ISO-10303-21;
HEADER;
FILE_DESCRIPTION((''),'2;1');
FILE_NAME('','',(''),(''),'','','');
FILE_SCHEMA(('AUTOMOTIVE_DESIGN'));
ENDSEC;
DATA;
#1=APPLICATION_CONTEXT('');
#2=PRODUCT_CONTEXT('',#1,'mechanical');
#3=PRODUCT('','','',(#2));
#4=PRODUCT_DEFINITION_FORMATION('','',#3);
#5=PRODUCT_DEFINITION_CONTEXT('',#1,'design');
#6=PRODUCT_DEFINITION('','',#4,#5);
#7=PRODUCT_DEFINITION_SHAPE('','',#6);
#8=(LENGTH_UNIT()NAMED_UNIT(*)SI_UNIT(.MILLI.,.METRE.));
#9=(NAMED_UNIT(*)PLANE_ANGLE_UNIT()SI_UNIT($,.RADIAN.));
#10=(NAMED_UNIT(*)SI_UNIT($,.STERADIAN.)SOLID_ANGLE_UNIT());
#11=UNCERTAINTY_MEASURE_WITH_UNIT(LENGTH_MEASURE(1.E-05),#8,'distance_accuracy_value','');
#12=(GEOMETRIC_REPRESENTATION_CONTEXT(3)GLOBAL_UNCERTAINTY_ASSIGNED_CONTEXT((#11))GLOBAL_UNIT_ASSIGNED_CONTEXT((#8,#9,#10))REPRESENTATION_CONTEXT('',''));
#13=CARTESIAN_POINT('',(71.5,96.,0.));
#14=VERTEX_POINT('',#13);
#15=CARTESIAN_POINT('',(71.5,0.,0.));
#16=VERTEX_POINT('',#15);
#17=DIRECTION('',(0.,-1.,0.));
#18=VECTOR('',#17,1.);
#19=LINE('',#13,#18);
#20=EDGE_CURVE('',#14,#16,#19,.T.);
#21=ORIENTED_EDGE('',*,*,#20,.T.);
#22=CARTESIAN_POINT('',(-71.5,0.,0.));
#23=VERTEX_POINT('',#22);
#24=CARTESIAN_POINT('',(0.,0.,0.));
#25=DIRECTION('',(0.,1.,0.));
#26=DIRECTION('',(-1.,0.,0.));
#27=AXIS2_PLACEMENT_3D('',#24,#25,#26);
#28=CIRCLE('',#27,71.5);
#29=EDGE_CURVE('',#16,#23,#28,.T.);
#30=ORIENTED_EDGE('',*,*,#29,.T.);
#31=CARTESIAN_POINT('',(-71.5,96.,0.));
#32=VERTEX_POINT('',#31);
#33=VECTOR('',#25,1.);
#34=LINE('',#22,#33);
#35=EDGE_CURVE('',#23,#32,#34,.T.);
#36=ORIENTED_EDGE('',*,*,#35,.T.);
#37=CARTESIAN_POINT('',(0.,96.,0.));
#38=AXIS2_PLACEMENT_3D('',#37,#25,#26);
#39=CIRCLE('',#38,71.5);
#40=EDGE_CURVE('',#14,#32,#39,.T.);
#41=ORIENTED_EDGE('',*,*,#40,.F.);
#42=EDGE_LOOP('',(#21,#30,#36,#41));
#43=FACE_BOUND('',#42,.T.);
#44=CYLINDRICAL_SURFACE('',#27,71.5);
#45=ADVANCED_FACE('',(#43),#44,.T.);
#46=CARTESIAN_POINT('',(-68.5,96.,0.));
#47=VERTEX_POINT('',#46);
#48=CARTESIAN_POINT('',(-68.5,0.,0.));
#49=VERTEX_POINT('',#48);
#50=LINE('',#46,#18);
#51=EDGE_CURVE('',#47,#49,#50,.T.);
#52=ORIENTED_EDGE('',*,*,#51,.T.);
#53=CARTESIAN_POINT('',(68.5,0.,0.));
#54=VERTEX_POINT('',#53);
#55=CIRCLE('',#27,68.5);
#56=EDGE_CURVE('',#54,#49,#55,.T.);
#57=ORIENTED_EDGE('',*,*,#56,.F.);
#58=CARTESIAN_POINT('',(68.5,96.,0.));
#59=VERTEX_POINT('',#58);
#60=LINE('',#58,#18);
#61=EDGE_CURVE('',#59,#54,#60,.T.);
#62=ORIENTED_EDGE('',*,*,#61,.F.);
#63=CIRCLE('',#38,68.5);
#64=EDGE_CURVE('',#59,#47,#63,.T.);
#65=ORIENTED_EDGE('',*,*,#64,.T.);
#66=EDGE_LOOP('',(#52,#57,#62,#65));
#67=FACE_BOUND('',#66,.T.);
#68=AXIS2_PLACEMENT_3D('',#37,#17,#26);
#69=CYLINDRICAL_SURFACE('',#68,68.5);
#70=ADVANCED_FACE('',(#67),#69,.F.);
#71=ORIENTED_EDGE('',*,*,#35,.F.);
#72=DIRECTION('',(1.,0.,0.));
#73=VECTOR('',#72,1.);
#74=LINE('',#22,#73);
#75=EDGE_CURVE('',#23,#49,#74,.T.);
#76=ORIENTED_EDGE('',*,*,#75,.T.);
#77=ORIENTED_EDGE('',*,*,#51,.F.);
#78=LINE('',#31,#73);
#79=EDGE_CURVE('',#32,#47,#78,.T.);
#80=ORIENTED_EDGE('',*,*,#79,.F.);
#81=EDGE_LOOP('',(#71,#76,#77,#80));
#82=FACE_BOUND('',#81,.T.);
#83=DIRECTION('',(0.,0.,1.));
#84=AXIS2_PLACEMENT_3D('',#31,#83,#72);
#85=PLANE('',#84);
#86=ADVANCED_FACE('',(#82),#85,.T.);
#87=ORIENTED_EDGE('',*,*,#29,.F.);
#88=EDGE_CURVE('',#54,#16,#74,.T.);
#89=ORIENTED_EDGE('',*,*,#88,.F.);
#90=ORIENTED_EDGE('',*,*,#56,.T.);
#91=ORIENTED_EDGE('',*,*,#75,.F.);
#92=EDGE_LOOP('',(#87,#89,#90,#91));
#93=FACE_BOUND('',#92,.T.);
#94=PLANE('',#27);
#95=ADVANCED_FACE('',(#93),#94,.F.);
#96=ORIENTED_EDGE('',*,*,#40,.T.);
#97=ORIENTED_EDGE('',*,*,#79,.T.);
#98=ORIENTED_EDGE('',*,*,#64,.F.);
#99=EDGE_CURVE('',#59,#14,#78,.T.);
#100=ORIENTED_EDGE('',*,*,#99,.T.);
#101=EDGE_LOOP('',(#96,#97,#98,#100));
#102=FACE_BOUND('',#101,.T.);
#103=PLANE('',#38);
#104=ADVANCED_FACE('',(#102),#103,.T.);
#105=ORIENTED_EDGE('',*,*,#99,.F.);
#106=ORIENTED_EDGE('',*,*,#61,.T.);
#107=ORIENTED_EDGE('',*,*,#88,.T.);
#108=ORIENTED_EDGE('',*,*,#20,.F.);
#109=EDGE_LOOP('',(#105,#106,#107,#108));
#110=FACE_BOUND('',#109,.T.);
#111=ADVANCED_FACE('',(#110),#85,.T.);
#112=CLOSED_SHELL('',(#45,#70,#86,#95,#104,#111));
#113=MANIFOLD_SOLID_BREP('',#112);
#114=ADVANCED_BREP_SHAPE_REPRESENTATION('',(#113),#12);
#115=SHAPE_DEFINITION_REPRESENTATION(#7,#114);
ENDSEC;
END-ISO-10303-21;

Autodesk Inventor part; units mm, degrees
ref_plane "YZ Plane" through (0, 0, 0) normal (1, 0, 0) x (0, 1, 0)
ref_plane "XZ Plane" through (0, 0, 0) normal (0, 1, 0) x (-1, 0, 0)
ref_plane "XY Plane" through (0, 0, 0) normal (0, 0, 1) x (1, 0, 0)
sketch "Sketch1" plane through (0, 0, 0) normal (0, 0, 1) x (1, 0, 0)
  line L0 (-68.5, 0) -> (-71.5, 0)
  line L1 (-71.5, 0) -> (-71.5, 96)
  line L2 (-71.5, 96) -> (-68.5, 96)
  line L3 (-68.5, 96) -> (-68.5, 0)
  line L4 (0, -19.2) -> (0, 115.2) projected
  point P0 (0, 0)
  dimension "d0" = 71.5
  dimension "d1" = 68.5
  dimension "d2" = 96
  dimension "d3" = 3
revolve "Revolution1" add sketch "Sketch1" angle 360 about axis through (0, -10, 0) along (0, 1, 0)
sketch "Sketch2" plane through (0, 96, 0) normal (0, 1, 0) x (1, 0, 0)
  circle A0 centre (0, 0) radius 71.5 projected
  line L0 (-71.5, 0) -> (71.5, 0)
  line L1 (71.5, 0) -> (71.5, -71.5)
  line L2 (71.5, -71.5) -> (-71.5, -71.5)
  line L3 (-71.5, -71.5) -> (-71.5, 0)
extrude "Extrusion1" cut sketch "Sketch2" against normal up to surface (96 mm away) contours L1 L2 A0 | A0 L0 | A0 L2 L3 picked at (-19.157, -31.4012)
properties part number "CollarTube" material "Stainless Steel"
